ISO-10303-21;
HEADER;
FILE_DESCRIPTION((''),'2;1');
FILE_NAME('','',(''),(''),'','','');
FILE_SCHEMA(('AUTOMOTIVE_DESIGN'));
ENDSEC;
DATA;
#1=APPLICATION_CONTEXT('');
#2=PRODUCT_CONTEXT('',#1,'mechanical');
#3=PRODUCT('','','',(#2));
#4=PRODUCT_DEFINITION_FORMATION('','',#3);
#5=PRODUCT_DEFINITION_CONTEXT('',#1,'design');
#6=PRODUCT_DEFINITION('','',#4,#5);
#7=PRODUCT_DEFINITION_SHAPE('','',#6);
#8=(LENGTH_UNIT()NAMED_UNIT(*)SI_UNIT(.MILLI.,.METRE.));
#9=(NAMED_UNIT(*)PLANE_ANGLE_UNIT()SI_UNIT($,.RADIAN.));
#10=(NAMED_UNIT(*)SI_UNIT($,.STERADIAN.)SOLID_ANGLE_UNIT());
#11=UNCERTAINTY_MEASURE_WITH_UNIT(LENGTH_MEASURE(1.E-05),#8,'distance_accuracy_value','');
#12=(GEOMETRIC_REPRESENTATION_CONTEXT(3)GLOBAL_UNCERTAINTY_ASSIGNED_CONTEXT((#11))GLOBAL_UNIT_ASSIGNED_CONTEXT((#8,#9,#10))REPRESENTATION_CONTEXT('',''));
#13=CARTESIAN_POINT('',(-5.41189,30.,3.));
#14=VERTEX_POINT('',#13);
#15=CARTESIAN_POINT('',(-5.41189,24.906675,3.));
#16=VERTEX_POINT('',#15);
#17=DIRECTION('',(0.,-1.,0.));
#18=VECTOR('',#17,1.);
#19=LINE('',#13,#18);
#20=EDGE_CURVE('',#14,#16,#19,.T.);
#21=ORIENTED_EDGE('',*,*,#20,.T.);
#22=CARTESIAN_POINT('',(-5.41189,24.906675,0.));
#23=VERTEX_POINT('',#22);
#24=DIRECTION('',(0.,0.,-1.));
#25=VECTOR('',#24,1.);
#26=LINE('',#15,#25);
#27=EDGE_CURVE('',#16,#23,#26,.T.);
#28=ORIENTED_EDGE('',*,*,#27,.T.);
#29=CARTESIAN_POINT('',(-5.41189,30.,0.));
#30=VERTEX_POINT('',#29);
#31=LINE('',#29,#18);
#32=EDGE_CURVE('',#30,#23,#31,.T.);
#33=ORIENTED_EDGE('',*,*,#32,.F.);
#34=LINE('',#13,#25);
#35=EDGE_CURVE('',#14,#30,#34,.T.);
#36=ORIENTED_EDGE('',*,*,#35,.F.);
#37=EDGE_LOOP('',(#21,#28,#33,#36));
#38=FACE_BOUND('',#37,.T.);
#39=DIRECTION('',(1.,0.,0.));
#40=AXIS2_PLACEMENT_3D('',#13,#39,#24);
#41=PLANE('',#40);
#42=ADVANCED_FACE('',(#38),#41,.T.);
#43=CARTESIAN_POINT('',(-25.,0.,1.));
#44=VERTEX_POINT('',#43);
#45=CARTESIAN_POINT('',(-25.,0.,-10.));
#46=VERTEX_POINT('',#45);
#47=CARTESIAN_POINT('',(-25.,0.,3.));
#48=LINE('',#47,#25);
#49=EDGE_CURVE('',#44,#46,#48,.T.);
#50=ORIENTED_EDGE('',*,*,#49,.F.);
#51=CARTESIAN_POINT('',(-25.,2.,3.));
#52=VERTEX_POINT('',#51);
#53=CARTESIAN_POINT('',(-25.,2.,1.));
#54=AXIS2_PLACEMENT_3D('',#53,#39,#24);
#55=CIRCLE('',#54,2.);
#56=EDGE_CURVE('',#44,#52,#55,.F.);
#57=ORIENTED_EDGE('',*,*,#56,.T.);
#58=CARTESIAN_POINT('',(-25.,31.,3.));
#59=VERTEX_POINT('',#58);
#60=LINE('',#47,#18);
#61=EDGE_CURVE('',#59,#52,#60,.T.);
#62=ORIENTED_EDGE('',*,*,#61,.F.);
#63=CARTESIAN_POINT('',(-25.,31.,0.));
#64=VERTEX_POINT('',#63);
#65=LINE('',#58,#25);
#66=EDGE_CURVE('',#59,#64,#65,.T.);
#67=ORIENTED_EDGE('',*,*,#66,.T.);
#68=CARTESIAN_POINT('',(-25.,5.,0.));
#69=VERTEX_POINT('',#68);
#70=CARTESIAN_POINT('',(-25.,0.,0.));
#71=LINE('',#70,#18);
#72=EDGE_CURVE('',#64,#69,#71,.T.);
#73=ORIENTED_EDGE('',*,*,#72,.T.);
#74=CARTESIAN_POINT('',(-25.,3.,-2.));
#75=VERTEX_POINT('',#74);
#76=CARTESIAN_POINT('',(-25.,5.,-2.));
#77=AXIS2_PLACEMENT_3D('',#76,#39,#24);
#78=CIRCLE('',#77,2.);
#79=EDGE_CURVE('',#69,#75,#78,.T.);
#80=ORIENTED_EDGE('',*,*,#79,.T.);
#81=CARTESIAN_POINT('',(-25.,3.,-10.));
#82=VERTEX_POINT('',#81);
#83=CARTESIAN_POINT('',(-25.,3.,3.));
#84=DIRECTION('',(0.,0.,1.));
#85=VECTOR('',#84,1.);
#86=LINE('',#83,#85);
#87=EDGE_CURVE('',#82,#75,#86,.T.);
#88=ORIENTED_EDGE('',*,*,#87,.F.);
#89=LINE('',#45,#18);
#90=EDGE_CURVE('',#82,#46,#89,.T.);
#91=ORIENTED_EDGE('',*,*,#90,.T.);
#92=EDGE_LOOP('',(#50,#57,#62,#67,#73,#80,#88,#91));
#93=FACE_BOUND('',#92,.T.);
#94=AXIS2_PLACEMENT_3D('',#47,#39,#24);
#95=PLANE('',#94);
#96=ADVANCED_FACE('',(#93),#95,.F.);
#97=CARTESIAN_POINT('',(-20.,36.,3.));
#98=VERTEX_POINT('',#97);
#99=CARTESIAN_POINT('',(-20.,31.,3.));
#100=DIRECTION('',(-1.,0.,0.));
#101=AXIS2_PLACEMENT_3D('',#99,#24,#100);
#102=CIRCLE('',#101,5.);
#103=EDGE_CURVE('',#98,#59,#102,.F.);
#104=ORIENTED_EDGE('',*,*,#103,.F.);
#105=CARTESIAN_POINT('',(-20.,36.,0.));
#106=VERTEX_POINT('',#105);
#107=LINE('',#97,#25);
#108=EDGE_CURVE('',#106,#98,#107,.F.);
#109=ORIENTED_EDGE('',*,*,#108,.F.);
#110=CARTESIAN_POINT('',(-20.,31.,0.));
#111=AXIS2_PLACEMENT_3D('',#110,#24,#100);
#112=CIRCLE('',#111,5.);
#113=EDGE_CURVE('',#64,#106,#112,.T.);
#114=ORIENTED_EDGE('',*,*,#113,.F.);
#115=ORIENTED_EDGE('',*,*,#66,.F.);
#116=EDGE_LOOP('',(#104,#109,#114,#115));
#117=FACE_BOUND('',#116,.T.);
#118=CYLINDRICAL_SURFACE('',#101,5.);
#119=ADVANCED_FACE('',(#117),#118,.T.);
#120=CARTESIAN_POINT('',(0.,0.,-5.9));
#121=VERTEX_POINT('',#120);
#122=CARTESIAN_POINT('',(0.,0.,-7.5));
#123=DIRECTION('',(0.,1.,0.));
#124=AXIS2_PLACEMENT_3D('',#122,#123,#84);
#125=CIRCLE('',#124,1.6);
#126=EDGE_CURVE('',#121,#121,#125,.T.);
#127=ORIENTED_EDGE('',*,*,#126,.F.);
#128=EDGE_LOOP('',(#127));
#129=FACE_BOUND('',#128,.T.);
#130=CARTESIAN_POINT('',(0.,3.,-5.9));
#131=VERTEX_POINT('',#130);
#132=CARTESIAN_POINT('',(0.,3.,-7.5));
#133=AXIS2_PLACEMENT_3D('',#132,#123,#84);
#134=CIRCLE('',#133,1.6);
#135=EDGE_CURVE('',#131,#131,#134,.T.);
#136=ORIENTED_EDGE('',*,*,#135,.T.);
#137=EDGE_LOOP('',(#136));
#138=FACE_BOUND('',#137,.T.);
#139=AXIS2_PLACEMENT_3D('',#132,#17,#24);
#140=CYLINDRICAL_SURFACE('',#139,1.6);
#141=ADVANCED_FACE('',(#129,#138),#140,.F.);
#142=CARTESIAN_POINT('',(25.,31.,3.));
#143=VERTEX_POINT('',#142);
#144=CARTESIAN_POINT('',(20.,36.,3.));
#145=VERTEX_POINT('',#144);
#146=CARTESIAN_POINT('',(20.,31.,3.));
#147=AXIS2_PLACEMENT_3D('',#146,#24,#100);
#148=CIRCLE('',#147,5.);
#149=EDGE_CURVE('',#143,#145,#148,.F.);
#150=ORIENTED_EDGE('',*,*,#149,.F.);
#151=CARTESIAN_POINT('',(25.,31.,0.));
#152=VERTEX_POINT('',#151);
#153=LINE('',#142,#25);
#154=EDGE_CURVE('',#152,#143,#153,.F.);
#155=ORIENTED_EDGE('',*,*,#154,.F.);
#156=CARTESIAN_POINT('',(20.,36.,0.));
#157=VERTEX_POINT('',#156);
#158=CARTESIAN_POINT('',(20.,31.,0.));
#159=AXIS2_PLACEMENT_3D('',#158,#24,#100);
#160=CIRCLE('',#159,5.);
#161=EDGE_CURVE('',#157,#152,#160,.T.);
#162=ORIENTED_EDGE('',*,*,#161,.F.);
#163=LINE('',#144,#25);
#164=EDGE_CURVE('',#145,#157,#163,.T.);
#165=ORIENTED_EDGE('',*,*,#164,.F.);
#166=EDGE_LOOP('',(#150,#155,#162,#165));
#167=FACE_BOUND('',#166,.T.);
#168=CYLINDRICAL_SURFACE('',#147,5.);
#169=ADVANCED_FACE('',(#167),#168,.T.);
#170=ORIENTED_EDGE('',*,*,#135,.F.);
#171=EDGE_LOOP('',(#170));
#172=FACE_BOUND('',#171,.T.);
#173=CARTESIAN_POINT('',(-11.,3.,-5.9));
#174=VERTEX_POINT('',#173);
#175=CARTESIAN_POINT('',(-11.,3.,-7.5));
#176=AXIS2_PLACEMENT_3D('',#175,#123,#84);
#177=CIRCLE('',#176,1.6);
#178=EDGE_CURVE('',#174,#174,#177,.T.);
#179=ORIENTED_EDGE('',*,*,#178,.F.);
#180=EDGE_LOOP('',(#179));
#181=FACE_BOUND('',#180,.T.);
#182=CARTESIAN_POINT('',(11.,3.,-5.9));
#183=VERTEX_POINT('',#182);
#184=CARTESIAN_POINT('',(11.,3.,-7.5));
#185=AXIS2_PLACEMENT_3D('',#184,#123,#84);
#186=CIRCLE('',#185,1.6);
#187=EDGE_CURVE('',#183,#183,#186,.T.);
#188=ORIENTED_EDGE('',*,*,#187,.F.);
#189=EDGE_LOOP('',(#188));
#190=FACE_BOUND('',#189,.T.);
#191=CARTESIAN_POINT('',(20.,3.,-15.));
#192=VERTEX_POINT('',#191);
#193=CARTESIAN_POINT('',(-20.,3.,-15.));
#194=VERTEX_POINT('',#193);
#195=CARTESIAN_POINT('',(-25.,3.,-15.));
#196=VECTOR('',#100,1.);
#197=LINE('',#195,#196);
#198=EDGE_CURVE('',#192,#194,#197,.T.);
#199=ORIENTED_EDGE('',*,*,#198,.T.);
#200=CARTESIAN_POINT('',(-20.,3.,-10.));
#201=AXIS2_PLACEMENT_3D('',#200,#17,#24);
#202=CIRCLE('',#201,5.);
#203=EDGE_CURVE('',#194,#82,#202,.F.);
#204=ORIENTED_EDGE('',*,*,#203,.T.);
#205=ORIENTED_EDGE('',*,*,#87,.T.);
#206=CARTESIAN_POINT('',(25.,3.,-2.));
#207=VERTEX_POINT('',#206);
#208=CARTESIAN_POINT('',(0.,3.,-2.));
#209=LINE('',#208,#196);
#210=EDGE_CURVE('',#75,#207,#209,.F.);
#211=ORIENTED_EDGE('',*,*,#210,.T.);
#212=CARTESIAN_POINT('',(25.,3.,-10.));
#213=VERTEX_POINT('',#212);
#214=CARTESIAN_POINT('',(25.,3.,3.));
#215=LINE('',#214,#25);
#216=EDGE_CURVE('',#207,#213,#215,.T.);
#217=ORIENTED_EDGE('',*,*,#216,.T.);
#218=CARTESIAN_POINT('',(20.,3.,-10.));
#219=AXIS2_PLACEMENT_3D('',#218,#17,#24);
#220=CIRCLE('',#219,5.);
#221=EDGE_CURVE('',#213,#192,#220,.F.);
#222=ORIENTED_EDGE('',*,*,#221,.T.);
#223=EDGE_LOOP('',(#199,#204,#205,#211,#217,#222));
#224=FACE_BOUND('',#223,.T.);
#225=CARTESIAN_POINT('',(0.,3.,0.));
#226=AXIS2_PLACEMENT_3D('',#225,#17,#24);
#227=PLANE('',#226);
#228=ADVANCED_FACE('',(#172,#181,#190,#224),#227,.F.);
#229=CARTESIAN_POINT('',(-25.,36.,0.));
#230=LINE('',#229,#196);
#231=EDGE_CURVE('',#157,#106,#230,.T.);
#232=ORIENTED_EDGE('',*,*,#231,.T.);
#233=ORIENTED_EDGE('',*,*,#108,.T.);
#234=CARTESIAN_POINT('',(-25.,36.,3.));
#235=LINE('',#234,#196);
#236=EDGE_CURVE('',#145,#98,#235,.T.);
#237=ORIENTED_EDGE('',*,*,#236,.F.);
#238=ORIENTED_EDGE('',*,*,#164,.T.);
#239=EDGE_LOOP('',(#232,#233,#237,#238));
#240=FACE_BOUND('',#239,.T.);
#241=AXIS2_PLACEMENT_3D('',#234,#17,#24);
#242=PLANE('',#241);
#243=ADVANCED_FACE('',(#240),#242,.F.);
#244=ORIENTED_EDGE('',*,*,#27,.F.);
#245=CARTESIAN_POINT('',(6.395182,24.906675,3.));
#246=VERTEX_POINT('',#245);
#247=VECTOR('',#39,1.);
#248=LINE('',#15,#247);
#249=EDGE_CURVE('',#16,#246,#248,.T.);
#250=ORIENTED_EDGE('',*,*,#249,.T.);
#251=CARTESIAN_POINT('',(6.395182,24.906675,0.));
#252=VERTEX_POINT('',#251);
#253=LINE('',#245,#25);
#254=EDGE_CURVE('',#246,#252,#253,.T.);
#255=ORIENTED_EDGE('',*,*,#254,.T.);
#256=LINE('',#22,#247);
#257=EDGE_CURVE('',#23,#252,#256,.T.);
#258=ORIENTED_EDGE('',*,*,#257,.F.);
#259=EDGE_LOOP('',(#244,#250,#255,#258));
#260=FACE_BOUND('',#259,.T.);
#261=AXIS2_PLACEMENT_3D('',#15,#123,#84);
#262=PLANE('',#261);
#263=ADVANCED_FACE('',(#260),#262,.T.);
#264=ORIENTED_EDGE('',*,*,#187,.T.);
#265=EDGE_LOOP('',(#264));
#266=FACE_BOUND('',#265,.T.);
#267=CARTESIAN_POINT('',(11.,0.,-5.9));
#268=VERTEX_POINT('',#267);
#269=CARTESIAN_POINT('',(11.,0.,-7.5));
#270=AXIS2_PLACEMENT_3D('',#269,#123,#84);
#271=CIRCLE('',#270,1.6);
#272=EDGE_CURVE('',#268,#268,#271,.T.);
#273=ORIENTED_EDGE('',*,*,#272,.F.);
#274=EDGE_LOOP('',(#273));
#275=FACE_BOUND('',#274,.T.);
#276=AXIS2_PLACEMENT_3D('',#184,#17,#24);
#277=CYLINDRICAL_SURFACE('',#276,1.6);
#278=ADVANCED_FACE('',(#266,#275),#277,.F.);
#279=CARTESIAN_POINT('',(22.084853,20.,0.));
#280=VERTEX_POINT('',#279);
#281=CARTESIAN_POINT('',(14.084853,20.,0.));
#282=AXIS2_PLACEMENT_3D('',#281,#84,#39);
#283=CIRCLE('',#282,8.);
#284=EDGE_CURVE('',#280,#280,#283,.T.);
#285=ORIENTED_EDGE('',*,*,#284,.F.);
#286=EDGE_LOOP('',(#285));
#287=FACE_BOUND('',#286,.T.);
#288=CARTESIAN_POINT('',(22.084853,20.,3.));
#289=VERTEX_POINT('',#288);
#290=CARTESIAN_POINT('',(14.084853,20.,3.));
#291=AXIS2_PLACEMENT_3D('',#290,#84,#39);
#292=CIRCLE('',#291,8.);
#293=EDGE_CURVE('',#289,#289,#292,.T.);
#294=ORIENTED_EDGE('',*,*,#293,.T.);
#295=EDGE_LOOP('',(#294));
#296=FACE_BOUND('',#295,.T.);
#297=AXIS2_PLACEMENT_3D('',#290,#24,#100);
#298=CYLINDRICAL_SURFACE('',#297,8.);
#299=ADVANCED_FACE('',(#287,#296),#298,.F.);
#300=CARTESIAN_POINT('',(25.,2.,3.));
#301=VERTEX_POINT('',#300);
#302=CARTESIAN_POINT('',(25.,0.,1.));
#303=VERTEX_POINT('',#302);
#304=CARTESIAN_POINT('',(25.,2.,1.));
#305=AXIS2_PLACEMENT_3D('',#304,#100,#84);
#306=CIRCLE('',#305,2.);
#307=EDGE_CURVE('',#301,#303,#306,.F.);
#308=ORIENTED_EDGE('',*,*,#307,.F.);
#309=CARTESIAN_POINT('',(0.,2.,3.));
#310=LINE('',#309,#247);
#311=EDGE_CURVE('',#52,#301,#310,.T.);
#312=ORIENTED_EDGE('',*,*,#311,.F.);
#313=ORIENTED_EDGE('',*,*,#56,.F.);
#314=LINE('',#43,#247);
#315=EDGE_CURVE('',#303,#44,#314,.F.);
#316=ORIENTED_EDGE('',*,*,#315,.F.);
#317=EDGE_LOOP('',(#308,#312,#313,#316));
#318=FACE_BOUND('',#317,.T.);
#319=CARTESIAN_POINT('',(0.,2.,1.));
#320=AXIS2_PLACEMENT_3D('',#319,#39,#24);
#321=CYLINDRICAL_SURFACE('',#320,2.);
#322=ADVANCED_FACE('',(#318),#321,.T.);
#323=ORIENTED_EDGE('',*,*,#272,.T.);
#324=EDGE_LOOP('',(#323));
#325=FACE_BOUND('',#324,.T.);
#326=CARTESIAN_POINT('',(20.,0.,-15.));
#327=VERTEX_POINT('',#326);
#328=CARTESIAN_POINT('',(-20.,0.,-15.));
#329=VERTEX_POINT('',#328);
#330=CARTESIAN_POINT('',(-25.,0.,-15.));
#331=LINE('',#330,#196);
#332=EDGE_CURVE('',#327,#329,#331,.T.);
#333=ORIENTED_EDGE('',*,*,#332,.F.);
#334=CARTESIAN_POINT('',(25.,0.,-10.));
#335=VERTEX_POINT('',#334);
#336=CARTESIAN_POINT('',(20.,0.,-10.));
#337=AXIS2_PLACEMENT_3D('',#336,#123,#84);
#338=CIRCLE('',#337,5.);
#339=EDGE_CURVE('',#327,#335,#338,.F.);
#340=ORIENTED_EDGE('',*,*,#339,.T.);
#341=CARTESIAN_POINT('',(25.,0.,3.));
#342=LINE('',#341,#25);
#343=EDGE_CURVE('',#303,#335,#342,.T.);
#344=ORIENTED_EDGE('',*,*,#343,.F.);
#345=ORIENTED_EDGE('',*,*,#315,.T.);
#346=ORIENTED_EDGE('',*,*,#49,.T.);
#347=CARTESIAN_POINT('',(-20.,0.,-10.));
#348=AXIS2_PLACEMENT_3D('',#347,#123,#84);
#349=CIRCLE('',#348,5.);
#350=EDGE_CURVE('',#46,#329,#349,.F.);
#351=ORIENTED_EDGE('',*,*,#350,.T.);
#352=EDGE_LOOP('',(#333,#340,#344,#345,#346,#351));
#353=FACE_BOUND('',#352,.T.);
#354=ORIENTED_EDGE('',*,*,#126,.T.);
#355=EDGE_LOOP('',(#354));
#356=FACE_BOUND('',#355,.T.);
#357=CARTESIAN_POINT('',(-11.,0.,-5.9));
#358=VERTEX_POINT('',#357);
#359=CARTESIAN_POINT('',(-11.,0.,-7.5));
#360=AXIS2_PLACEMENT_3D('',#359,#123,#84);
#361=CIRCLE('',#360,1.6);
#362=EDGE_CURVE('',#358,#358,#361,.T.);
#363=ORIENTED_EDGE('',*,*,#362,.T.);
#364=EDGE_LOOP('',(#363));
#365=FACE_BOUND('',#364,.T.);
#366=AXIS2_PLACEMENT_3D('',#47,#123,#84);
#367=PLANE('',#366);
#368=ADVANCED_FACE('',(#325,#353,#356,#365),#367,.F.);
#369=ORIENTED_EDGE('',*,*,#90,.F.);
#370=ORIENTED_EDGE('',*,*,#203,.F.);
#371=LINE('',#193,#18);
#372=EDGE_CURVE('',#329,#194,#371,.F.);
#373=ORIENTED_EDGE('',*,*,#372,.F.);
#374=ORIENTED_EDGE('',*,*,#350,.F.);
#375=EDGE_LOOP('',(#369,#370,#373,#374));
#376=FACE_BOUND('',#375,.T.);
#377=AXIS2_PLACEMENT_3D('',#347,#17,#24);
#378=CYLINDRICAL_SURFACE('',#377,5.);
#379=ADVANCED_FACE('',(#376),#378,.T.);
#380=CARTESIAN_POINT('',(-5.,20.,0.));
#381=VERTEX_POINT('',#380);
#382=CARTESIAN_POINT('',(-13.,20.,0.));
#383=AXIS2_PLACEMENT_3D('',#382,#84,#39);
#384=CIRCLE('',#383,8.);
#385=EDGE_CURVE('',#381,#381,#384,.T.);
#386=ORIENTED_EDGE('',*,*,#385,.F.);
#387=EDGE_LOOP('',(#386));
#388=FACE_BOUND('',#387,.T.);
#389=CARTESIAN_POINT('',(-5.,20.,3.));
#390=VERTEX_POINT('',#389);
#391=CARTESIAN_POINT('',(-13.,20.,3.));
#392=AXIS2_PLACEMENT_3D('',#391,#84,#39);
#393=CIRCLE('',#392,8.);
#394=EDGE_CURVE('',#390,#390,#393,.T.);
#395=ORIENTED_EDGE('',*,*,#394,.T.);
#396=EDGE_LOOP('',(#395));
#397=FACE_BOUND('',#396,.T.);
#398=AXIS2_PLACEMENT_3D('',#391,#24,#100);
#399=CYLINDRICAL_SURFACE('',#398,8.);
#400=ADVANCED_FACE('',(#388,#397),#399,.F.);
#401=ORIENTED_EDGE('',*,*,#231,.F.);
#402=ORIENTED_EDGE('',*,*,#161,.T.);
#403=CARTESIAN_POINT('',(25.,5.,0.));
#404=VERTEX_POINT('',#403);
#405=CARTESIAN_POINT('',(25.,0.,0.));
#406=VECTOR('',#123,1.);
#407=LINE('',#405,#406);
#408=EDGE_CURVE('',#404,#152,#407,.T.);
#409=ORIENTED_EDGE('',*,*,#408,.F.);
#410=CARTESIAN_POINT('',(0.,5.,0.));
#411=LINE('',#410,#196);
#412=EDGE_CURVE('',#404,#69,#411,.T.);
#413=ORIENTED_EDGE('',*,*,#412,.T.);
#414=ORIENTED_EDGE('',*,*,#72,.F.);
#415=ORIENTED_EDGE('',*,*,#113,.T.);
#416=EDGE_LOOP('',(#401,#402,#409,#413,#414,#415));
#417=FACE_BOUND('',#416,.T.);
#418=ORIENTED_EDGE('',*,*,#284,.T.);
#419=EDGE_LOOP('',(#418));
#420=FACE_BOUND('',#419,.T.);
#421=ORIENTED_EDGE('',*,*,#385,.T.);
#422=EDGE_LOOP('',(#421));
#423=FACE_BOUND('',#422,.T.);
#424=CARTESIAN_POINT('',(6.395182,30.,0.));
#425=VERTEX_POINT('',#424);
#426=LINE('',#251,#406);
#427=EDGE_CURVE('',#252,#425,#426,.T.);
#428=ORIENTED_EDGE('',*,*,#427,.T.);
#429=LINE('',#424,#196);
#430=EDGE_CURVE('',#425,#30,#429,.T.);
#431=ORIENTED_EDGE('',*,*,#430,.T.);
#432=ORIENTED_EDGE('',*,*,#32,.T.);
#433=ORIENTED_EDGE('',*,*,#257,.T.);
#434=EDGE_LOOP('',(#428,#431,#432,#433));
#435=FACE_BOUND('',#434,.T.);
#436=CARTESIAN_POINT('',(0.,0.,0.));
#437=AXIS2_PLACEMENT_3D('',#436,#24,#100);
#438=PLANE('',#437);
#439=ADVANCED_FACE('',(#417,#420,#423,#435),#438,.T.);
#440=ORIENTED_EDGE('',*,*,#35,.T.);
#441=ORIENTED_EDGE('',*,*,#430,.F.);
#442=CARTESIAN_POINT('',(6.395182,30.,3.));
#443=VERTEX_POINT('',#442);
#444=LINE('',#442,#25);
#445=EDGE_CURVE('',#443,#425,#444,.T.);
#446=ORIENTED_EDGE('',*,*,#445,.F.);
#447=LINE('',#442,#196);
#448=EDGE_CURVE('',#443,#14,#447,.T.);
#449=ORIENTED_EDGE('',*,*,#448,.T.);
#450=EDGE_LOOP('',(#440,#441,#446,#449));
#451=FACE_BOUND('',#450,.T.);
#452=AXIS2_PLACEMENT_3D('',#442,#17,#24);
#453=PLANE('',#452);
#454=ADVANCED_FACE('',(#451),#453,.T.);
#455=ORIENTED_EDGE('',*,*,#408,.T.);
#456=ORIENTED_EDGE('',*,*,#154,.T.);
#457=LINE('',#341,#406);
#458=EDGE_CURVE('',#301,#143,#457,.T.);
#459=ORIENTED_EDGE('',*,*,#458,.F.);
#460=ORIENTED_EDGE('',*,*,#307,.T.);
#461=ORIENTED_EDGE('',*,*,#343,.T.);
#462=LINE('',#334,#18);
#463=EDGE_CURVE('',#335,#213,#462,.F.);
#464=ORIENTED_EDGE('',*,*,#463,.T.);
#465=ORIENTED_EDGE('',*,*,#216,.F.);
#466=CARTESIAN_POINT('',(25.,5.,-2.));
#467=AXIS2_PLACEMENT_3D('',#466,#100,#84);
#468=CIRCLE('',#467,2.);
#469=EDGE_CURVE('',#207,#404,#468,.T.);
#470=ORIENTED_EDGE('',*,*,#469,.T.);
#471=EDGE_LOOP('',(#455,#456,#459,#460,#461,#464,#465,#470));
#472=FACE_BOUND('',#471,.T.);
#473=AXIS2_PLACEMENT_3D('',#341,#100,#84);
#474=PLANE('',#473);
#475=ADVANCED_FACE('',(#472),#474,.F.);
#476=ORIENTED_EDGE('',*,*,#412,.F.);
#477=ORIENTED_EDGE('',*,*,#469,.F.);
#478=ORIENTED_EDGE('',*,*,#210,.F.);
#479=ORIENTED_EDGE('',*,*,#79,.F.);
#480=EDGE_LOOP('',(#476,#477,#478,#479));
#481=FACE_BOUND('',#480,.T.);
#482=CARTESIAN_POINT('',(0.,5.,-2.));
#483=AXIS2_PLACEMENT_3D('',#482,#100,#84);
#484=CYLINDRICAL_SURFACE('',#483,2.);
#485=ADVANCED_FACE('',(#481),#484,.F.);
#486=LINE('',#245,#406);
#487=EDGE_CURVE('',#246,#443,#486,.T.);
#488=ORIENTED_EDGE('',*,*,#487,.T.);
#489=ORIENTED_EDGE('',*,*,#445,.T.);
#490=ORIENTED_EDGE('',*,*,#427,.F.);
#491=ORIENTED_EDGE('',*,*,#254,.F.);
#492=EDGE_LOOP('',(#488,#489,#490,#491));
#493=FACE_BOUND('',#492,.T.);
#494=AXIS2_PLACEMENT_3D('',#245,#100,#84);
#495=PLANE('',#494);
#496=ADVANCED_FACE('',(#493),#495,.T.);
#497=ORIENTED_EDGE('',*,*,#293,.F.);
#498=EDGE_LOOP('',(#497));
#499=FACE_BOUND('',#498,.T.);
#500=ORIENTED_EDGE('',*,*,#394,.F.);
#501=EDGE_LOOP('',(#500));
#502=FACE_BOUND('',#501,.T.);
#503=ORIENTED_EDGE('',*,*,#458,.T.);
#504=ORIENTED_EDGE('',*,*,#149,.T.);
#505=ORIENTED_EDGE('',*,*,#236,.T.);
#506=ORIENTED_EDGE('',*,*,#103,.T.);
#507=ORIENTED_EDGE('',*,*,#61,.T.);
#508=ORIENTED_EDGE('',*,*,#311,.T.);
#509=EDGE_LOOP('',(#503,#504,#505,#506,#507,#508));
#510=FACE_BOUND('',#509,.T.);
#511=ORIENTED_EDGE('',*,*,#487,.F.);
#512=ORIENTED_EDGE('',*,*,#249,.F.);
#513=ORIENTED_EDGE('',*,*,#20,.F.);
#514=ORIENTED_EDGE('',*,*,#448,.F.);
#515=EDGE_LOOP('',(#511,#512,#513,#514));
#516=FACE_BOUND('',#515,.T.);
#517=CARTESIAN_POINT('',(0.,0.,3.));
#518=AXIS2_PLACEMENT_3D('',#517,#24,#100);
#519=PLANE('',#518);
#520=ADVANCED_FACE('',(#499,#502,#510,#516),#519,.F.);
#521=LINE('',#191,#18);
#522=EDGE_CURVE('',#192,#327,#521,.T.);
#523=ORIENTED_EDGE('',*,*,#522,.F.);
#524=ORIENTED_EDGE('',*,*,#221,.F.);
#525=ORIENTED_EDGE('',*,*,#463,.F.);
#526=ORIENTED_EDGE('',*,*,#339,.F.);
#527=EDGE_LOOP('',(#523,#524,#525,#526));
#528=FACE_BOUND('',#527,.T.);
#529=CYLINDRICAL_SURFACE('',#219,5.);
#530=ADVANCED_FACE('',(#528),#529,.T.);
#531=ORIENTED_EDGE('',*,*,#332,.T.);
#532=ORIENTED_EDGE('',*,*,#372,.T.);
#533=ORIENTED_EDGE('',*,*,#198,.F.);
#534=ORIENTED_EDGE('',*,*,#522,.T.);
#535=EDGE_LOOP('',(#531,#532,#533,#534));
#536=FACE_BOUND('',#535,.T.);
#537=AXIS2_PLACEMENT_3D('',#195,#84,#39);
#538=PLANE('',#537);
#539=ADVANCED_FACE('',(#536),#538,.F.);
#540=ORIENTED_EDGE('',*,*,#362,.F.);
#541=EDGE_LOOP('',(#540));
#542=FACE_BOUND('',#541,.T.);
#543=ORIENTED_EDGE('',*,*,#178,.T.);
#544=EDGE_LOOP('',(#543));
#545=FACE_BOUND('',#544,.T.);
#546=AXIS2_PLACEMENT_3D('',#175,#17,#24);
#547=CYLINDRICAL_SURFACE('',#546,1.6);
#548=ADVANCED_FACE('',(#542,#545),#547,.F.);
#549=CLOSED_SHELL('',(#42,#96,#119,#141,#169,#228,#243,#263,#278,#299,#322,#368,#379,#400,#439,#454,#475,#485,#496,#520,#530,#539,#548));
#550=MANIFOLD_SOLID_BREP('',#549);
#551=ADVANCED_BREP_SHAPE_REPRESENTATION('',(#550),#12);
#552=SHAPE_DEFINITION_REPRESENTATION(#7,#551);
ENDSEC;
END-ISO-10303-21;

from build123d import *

# Parameters (mm, degrees)
SKETCH1_W           = 50
SKETCH1_H           = 36
SKETCH1_R           = 8
SKETCH1_W_2         = 11.807071599
SKETCH1_H_2         = 5.093325141
BOSS_EXTRUDE1_DEPTH = 3
SKETCH2_W           = 50
SKETCH2_H           = 18
SKETCH2_R           = 1.6
BOSS_EXTRUDE2_DEPTH = 3
FILLET1_R           = 5
FILLET2_R           = 2


with BuildPart() as part:
    # Sketch1 → Boss-Extrude1 (new body)
    with BuildSketch(Plane.XY):
        with Locations((0, 18)):
            Rectangle(SKETCH1_W, SKETCH1_H)
        with Locations((-13, 20)):
            Circle(SKETCH1_R, mode=Mode.SUBTRACT)
        with Locations((14.084852814, 20)):
            Circle(SKETCH1_R, mode=Mode.SUBTRACT)
        with Locations((0.491645941, 27.45333743)):
            Rectangle(SKETCH1_W_2, SKETCH1_H_2, mode=Mode.SUBTRACT)
    extrude(amount=BOSS_EXTRUDE1_DEPTH)

    # Sketch2 → Boss-Extrude2 (add)
    with BuildSketch(Plane(origin=(0, 0, 0), x_dir=(1, 0, 0), z_dir=(0, 1, 0))):
        with Locations((0, 6)):
            Rectangle(SKETCH2_W, SKETCH2_H)
        with Locations(Location((0, 7.5, 0), (0, 0, 270))):
            Circle(SKETCH2_R, mode=Mode.SUBTRACT)
        with Locations(Location((-11, 7.5, 0), (0, 0, 270))):
            Circle(SKETCH2_R, mode=Mode.SUBTRACT)
        with Locations(Location((11, 7.5, 0), (0, 0, 270))):
            Circle(SKETCH2_R, mode=Mode.SUBTRACT)
    extrude(amount=BOSS_EXTRUDE2_DEPTH)

    # Fillet1
    fillet1_edges = [part.edges().sort_by_distance(p)[0] for p in [
        (-25, 1.5, -15),
        (25, 1.5, -15),
        (-25, 36, 1.5),
        (25, 36, 1.5),
    ]]
    fillet(fillet1_edges, radius=FILLET1_R)

    # Fillet2
    fillet2_edges = [part.edges().sort_by_distance(p)[0] for p in [
        (0, 3, 0),
        (0, 0, 3),
    ]]
    fillet(fillet2_edges, radius=FILLET2_R)


solid = part.part
